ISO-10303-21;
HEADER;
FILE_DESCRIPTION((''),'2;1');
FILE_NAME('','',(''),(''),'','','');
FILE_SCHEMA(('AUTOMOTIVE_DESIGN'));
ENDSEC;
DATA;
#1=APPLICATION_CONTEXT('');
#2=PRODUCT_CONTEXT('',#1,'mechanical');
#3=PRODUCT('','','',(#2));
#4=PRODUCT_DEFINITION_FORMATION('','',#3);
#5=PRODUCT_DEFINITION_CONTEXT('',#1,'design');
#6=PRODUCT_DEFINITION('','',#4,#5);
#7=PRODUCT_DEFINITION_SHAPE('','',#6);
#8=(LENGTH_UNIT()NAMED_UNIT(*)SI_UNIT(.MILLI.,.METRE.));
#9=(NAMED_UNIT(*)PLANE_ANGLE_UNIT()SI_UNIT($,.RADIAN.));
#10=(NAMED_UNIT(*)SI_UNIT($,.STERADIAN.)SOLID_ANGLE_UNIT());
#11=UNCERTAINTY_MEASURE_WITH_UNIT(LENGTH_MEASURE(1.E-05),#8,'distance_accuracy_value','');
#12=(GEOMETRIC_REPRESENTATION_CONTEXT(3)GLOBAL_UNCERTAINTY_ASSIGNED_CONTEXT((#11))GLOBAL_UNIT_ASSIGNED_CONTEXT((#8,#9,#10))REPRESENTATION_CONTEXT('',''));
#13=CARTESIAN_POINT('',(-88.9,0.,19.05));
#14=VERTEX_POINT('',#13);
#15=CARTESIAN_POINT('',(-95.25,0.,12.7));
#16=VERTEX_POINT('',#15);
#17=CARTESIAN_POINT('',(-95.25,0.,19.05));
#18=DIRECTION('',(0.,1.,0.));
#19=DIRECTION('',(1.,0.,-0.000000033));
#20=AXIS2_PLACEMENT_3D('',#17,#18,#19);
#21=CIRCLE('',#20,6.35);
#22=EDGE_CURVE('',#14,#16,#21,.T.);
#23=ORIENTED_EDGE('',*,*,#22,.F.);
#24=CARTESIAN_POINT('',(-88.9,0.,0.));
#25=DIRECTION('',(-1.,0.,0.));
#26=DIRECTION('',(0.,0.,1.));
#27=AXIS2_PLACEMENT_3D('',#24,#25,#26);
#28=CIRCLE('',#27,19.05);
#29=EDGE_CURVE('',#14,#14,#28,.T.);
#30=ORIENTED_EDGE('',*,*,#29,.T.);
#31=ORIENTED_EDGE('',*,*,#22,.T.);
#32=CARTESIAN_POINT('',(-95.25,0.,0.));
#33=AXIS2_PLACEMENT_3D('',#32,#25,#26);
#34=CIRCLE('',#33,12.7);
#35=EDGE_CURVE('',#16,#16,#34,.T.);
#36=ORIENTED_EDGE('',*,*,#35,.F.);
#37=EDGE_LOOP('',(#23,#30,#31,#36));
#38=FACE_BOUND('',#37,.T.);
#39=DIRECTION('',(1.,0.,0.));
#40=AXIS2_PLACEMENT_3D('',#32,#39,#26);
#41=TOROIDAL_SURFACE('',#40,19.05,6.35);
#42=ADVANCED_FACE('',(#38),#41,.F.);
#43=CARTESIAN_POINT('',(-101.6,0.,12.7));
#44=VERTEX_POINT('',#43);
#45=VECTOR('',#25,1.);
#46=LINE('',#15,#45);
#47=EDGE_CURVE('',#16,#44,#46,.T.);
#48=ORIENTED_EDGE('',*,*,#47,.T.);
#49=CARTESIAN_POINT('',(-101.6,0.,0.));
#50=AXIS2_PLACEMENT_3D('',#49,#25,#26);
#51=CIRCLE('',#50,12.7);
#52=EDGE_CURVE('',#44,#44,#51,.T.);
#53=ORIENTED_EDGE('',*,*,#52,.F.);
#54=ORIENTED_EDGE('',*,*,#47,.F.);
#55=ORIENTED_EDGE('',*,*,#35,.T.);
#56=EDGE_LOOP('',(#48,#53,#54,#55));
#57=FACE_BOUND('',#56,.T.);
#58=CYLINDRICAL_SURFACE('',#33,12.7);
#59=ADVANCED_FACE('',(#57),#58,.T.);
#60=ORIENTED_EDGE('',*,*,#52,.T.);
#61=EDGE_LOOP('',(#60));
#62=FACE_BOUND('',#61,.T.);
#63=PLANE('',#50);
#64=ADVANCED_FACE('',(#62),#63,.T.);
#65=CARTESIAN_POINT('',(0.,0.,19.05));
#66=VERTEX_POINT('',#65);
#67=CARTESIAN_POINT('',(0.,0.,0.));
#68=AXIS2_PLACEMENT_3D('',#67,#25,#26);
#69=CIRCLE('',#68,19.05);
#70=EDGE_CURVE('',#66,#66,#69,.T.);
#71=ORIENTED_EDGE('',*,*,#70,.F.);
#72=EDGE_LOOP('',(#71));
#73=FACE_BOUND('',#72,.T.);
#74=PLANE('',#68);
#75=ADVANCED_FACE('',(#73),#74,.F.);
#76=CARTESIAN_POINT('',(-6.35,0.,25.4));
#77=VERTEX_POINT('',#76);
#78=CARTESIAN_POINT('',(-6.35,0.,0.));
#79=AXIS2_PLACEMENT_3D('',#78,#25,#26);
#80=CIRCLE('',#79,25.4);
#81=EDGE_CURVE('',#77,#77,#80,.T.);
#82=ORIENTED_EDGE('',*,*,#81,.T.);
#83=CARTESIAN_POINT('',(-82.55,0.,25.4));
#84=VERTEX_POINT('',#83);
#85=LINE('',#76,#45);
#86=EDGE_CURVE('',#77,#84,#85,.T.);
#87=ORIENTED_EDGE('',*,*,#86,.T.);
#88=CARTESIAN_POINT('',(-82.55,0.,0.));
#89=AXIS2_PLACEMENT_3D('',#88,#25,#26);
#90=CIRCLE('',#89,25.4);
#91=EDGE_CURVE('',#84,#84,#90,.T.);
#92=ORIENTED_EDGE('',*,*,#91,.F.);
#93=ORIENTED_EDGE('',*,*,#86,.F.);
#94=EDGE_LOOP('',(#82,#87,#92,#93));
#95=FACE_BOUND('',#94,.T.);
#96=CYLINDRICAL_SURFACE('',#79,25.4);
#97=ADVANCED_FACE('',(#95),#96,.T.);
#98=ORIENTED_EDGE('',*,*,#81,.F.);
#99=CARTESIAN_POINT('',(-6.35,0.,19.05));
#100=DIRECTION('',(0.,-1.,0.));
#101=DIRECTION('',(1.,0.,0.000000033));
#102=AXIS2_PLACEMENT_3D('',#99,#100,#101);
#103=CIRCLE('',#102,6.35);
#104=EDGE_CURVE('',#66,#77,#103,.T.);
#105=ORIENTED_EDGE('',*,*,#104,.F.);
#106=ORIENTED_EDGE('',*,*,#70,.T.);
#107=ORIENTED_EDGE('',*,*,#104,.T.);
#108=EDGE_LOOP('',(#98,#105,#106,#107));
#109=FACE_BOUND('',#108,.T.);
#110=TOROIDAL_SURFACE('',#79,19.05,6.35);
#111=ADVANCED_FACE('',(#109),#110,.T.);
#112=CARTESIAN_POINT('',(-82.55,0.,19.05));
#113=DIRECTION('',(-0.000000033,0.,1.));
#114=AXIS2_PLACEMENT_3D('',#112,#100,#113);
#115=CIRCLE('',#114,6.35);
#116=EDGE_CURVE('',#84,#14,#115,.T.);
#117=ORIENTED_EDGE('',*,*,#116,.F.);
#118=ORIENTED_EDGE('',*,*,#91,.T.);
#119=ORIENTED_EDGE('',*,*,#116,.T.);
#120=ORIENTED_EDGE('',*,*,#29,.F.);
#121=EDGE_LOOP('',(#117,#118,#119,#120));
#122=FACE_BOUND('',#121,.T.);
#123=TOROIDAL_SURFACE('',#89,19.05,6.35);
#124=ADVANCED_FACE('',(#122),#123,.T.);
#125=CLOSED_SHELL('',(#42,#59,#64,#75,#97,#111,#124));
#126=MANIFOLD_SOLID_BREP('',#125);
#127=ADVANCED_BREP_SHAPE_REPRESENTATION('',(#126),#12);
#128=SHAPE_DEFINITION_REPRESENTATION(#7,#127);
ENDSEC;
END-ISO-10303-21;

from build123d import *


with BuildPart() as f1:
    # F0 (on Front) → F1 (revolve)
    with BuildSketch(Plane.XZ):
        with BuildLine():
            Line((-101.6, 0), (0, 0))
            Line((0, 0), (0, 19.05))
            ThreePointArc((0, 19.05), (-1.859872, 23.540128), (-6.35, 25.4))
            Line((-6.35, 25.4), (-82.55, 25.4))
            ThreePointArc((-82.55, 25.4), (-87.040128, 23.540128), (-88.9, 19.05))
            ThreePointArc((-88.9, 19.05), (-90.759872, 14.559872), (-95.25, 12.7))
            Line((-95.25, 12.7), (-101.6, 12.7))
            Line((-101.6, 12.7), (-101.6, 0))
        make_face()
    revolve(axis=Axis((-50.8, 0, 0), (-1, 0, 0)))


solid = f1.part
